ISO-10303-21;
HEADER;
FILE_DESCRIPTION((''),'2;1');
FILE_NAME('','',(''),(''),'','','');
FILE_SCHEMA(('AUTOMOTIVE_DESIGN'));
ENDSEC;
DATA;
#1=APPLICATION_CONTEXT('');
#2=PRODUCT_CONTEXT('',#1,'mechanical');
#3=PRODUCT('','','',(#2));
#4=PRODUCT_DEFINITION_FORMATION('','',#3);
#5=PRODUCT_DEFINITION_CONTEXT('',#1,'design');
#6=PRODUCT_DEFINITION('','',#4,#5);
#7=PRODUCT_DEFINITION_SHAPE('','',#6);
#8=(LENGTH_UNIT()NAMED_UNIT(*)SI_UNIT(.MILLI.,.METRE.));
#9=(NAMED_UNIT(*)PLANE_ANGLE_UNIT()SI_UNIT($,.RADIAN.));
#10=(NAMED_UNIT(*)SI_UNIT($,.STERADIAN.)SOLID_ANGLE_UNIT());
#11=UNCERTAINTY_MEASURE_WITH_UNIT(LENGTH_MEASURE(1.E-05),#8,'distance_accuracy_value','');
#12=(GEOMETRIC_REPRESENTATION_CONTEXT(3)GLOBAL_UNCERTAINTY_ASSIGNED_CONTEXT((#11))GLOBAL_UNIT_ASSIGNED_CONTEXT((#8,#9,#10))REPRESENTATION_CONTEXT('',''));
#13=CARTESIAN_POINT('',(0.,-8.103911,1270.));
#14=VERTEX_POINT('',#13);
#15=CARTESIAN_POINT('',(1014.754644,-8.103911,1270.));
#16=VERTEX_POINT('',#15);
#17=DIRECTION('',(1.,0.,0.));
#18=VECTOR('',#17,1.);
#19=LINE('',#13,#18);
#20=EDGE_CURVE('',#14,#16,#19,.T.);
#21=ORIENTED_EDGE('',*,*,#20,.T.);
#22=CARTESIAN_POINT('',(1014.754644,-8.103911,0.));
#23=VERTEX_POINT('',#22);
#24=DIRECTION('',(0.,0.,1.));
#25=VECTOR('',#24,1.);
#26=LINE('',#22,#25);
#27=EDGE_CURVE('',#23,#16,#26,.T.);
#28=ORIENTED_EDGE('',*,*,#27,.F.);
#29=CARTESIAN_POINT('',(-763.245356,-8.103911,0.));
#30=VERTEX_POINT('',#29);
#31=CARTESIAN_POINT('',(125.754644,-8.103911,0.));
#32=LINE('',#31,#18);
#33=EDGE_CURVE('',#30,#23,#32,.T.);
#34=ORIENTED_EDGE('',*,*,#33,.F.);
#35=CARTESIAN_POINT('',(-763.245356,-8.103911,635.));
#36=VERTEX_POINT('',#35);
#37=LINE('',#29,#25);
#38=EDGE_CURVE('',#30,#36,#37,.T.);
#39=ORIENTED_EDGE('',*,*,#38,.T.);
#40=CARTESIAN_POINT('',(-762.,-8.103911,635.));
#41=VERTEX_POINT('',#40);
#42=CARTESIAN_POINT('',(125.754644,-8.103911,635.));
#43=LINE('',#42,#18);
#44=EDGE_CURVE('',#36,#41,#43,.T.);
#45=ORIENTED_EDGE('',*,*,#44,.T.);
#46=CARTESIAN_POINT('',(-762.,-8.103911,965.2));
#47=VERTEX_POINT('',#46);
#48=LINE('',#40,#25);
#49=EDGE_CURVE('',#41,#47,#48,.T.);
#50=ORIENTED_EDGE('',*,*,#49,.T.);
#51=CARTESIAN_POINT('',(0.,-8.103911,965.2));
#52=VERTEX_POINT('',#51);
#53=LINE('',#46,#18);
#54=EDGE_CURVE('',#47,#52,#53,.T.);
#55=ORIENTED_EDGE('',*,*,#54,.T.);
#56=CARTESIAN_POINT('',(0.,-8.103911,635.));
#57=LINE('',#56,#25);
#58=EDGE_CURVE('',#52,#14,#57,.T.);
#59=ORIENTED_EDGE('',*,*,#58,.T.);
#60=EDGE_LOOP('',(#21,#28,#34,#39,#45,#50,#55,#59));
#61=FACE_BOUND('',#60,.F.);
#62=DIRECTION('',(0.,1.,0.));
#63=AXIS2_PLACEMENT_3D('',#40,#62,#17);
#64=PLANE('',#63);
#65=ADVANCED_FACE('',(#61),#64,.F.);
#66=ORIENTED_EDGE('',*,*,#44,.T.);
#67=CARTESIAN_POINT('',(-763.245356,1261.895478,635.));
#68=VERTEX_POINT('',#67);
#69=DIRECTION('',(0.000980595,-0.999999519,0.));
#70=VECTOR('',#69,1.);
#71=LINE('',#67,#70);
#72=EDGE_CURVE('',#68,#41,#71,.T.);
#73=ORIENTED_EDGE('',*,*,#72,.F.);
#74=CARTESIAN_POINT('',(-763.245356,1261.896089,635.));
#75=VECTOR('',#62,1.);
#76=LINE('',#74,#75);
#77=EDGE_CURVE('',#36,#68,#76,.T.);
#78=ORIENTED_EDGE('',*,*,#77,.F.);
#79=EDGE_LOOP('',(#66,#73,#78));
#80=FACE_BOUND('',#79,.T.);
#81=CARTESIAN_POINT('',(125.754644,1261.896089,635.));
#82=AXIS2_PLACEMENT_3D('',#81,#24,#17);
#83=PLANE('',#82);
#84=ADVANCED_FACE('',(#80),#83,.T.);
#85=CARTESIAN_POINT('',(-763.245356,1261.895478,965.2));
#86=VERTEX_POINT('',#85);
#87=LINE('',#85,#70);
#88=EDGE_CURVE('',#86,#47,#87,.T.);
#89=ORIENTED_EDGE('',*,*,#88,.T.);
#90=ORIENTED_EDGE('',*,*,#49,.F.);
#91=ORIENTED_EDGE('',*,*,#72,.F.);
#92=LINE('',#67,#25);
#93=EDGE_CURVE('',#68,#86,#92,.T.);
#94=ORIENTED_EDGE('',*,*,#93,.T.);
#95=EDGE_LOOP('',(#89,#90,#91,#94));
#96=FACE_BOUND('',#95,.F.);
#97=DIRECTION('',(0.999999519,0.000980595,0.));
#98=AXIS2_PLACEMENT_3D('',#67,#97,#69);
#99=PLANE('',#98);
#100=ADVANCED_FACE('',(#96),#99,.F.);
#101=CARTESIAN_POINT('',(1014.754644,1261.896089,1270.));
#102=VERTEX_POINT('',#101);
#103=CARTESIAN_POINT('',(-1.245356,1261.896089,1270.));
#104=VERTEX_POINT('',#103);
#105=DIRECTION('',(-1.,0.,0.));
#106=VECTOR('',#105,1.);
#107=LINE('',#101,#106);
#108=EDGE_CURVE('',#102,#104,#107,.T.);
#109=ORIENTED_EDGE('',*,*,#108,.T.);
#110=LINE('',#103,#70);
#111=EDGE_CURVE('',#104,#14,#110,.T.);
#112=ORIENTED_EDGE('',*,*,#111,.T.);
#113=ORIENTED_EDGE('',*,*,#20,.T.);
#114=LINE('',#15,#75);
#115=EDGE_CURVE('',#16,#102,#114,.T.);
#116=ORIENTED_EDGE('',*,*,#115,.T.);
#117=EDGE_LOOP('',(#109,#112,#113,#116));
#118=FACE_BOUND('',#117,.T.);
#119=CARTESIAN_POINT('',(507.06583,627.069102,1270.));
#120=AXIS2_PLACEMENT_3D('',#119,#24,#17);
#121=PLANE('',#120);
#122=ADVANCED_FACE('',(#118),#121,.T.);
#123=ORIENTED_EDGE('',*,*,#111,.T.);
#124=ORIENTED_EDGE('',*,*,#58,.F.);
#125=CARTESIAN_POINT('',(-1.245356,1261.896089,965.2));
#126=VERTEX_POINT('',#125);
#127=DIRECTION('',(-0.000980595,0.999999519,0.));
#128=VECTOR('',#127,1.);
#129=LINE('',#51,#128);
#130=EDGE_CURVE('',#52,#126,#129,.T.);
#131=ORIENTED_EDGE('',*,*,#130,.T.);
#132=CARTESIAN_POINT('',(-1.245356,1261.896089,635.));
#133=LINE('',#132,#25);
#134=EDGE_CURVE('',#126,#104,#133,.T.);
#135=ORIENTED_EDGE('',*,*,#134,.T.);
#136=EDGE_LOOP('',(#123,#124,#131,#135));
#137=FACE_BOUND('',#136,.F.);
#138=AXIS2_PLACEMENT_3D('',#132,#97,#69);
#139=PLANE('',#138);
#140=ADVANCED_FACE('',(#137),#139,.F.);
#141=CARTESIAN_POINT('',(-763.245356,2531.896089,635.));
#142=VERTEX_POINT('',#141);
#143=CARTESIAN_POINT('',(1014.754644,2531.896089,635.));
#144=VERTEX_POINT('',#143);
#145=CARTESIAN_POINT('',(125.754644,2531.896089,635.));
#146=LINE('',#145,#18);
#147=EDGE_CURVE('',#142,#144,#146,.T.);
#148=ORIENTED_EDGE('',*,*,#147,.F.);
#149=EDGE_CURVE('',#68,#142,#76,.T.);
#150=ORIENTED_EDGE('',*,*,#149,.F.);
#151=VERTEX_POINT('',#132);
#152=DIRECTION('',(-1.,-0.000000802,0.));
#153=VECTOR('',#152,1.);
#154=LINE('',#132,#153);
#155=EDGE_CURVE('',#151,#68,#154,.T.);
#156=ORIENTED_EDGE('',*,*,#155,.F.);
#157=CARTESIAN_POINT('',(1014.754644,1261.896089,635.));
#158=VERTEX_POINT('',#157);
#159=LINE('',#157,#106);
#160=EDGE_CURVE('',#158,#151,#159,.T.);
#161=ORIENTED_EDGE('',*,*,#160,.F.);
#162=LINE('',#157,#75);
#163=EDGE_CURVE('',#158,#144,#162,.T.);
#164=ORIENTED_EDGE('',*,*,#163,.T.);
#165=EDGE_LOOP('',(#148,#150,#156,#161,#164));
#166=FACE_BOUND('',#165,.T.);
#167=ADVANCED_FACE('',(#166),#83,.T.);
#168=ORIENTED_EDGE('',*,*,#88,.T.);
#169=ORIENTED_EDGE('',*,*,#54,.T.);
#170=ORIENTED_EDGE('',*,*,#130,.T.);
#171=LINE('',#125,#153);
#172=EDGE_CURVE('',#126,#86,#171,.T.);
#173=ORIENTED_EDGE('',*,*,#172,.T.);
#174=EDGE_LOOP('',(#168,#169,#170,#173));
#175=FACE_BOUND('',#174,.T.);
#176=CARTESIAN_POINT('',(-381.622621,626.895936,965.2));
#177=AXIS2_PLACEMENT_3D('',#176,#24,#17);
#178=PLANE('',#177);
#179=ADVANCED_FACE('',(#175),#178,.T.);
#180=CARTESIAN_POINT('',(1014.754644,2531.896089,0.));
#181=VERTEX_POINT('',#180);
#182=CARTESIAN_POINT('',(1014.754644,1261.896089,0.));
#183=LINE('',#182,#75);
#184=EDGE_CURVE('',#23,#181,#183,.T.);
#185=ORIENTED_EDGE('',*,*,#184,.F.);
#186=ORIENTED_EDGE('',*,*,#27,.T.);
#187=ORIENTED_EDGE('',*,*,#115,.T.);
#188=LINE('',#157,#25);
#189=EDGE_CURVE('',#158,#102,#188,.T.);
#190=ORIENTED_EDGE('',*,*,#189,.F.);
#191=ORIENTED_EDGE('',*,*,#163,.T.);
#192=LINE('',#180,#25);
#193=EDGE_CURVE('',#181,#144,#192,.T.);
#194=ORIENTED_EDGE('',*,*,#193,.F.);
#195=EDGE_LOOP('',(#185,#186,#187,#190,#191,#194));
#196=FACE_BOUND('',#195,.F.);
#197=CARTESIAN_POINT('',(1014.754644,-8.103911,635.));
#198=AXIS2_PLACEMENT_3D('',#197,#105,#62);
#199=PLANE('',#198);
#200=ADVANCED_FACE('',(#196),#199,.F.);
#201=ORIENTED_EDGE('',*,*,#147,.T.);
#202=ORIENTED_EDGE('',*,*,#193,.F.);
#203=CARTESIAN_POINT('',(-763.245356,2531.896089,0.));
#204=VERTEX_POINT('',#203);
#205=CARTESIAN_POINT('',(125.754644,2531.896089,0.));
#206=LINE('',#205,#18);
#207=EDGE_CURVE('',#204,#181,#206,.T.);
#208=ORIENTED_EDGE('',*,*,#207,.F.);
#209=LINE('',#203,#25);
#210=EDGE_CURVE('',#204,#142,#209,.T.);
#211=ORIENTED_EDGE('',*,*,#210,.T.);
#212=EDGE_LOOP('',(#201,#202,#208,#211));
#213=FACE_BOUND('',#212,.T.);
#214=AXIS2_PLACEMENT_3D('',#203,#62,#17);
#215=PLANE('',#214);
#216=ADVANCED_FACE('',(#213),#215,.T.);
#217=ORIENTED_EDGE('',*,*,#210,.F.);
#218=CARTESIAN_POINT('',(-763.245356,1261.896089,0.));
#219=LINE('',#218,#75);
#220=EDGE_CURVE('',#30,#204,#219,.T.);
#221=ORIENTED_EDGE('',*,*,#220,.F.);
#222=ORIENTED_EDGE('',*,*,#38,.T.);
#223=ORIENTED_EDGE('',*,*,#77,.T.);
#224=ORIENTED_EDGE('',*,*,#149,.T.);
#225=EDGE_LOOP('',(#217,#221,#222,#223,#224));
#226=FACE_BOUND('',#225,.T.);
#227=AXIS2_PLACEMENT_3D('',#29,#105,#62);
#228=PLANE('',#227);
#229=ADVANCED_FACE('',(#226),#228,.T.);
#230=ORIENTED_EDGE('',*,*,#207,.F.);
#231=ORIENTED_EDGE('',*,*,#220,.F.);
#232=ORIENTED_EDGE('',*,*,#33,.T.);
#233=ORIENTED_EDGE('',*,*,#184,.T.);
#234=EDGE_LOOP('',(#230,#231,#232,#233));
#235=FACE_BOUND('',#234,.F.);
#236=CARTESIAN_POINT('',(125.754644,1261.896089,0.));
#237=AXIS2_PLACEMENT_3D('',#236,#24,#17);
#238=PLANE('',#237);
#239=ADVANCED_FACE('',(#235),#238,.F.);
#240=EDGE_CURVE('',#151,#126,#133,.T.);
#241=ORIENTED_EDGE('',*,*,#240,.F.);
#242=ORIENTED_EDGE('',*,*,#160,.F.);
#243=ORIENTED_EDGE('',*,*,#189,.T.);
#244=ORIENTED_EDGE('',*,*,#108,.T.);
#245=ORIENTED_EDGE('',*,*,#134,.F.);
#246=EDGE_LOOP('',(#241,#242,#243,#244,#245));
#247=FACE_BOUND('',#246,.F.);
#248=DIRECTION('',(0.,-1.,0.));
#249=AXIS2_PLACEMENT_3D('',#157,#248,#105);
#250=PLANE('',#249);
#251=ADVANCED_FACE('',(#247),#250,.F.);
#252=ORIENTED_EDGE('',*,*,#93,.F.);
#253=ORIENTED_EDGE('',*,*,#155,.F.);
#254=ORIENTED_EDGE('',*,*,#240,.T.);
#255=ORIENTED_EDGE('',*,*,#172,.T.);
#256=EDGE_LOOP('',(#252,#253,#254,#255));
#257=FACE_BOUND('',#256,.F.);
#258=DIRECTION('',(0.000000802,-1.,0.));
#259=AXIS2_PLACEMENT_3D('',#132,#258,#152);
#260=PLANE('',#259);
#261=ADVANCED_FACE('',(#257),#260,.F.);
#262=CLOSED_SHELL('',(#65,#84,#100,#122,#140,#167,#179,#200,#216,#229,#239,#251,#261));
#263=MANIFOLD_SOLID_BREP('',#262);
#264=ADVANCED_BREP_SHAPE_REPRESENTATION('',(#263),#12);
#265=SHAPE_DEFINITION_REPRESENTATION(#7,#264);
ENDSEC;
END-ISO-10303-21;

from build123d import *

# Parameters (mm, degrees)
F0_W     = 1778
F0_H     = 2540
F1_DEPTH = 635
F3_DEPTH = 635
F5_DEPTH = 330.2


with BuildPart() as f1:
    # F0 (on Top) → F1 (new body)
    with BuildSketch(Plane.XY):
        with Locations((125.754644, 1261.896089)):
            Rectangle(F0_W, F0_H)
    extrude(amount=F1_DEPTH)

    # F2 (on face) → F3 (join)
    with BuildSketch(Plane.XY.offset(635)):
        Polygon((0, -8.103911), (1014.754644, -8.103911), (1014.754644, 1261.896089), (-1.245356, 1261.896089), align=None)
    extrude(amount=F3_DEPTH)

    # F4 (on face) → F5 (join)
    with BuildSketch(Plane.XY.offset(635)):
        Polygon((-762, -8.103911), (0, -8.103911), (-1.245356, 1261.896089), (-763.245356, 1261.895478), align=None)
    extrude(amount=F5_DEPTH)


solid = f1.part
